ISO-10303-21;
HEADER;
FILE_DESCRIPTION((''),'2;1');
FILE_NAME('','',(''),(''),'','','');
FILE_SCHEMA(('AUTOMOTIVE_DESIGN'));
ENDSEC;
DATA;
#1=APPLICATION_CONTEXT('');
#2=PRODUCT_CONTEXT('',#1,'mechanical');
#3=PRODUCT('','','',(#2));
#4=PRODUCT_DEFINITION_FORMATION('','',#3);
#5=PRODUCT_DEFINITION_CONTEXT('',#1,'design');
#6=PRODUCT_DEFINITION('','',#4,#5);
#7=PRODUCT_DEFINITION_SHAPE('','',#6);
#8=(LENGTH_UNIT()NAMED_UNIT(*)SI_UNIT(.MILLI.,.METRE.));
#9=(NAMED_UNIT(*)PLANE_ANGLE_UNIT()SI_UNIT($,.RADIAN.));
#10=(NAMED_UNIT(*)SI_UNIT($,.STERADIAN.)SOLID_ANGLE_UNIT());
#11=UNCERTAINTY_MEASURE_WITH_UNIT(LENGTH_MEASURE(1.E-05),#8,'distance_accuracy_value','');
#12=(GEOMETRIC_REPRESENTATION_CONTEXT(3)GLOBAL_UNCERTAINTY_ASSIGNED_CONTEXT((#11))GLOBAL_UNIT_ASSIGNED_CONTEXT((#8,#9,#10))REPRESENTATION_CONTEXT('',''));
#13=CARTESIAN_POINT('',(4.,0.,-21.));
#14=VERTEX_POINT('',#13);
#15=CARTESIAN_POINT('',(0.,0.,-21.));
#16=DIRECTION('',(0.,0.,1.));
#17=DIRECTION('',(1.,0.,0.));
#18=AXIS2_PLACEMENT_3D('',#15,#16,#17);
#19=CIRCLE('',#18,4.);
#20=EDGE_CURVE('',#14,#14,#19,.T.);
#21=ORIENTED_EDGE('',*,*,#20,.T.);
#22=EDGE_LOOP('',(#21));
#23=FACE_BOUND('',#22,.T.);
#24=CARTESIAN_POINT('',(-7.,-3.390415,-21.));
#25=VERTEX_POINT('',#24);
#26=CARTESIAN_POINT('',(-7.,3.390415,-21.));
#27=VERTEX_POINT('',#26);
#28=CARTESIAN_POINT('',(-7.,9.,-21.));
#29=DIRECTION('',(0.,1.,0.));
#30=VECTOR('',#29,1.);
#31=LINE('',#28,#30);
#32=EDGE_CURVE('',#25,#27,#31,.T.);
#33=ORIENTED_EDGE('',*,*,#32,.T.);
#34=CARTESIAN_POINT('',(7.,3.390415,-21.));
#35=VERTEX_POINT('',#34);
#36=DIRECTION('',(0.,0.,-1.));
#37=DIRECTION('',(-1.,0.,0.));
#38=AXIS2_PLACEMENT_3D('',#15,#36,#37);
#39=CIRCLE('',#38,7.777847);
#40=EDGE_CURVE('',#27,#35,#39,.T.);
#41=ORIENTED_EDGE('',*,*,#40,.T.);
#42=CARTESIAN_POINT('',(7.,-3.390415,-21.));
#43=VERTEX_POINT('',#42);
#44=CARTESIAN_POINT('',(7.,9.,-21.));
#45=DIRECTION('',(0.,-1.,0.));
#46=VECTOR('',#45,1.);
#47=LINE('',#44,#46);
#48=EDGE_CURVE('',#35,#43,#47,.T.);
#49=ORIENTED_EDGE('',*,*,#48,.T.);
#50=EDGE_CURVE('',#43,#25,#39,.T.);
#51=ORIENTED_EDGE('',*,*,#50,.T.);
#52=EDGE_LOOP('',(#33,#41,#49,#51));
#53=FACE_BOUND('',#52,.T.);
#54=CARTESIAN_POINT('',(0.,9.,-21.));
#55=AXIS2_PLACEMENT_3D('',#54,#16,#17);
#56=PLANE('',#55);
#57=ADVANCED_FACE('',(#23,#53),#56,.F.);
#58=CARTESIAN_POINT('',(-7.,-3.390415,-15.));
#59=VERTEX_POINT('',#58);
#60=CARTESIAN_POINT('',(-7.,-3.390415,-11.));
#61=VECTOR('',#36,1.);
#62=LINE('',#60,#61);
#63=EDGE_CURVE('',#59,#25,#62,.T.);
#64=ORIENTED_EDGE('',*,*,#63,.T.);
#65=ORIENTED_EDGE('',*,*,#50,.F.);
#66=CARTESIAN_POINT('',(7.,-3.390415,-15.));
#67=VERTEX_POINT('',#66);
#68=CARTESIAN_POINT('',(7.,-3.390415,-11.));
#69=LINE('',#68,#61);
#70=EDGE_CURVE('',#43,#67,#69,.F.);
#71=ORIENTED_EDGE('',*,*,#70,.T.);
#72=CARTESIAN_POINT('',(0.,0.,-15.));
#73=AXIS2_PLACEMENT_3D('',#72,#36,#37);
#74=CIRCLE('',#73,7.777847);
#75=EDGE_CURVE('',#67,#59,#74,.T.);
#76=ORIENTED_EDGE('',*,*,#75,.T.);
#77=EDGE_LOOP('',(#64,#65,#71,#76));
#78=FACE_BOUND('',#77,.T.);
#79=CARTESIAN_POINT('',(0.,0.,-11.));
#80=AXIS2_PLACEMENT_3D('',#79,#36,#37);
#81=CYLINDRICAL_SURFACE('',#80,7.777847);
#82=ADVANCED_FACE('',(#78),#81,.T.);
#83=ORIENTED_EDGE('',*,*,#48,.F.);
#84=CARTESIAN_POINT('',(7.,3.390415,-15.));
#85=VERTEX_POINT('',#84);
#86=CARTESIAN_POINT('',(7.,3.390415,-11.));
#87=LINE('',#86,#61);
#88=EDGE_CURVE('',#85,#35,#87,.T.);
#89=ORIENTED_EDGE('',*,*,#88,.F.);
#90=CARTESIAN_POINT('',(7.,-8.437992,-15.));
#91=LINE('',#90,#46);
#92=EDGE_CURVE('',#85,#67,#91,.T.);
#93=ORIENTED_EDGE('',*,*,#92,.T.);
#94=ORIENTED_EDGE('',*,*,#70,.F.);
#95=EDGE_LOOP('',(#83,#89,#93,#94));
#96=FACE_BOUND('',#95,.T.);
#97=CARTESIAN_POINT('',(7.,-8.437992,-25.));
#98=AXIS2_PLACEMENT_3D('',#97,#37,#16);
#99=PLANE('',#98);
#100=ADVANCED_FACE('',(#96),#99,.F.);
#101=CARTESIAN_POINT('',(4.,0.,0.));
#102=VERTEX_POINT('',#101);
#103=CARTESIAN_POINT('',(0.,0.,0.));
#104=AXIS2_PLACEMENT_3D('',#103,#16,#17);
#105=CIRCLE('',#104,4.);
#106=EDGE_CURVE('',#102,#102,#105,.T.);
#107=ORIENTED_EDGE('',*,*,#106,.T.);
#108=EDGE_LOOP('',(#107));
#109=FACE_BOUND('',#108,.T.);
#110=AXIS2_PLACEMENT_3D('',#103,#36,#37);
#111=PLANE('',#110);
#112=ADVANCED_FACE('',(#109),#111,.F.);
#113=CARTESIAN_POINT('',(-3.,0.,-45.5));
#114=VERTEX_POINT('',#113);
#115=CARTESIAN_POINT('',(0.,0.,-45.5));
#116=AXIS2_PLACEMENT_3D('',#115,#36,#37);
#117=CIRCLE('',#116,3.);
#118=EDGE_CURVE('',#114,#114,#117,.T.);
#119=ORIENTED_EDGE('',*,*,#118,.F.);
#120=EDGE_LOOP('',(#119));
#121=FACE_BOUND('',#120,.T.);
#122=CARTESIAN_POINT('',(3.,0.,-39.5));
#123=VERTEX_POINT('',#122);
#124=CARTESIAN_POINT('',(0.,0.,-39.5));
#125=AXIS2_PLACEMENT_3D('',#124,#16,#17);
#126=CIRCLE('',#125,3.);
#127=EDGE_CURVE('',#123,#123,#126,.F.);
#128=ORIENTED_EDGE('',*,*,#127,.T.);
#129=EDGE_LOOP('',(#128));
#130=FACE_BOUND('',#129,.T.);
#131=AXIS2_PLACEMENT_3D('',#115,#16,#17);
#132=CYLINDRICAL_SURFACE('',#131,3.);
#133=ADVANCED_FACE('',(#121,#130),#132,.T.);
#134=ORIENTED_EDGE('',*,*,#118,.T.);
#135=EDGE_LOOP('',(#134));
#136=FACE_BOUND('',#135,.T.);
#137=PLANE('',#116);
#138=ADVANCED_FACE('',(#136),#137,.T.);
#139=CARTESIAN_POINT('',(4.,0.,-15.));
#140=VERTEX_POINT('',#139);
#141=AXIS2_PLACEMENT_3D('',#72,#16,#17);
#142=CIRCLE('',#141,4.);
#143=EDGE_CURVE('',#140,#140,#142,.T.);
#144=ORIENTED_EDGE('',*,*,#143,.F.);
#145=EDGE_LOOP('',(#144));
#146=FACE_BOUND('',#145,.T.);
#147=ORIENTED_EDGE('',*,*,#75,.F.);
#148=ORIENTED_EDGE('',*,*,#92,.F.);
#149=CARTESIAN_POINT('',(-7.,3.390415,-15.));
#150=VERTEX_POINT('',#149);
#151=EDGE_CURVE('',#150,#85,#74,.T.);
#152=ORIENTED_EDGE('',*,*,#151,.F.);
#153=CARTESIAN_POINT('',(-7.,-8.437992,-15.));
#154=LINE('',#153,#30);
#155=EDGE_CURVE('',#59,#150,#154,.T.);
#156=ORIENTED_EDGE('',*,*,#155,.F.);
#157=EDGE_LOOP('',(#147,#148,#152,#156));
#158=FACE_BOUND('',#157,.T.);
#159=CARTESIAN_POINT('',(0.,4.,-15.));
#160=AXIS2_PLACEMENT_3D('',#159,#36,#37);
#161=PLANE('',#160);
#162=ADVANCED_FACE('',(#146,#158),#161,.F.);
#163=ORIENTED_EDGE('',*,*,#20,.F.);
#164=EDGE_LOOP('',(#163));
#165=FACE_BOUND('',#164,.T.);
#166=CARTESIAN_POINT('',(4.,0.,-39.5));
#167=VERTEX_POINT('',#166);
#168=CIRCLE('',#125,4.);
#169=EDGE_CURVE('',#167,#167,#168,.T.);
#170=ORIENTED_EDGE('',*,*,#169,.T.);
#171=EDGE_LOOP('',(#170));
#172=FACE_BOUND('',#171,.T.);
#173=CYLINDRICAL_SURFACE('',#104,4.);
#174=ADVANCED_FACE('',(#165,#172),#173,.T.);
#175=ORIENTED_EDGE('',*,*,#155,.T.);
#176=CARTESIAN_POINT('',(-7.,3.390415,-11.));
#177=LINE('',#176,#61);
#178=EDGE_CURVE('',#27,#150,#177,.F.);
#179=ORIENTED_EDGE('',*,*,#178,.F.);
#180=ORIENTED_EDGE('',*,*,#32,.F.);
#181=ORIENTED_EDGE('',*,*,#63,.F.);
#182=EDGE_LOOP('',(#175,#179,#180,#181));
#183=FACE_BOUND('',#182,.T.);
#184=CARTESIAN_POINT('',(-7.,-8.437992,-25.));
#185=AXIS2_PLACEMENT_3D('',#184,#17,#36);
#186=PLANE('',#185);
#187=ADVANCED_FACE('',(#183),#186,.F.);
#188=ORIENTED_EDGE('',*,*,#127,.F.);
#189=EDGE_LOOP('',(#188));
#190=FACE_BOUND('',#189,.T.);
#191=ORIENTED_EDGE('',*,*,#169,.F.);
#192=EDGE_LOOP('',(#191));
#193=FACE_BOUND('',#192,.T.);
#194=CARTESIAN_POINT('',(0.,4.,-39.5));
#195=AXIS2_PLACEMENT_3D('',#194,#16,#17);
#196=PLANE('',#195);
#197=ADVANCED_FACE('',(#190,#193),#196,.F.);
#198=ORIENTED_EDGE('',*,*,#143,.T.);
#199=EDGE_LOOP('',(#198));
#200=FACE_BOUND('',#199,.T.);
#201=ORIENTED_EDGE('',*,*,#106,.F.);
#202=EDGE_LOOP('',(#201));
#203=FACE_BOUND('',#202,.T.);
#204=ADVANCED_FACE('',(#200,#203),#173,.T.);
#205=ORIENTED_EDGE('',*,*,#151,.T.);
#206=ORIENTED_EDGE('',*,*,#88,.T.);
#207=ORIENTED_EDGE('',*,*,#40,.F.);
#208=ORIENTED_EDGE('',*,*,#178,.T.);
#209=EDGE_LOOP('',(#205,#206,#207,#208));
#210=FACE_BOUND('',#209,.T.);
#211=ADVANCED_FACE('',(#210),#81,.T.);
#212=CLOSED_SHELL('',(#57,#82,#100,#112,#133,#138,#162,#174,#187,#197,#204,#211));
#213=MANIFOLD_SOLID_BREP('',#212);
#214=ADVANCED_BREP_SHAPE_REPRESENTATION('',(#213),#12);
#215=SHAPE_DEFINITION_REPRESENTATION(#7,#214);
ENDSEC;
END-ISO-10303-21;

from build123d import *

# Parameters (mm, degrees)
SKETCH_3_W          = 8
SKETCH_3_H          = 16.823898374
CUT_EXTRUDE_1_DEPTH = 10
SKETCH_5_OUTSIDE_W  = 25.122
SKETCH_5_OUTSIDE_H  = 29.122
SKETCH_5_OUTSIDE_R  = 7.77784742
CUT_EXTRUDE_2_DEPTH = 10
SKETCH_6_R          = 3
EXTRUDE_1_DEPTH     = 6


with BuildPart() as part:
    # 草图2 → 旋转1 (revolve)
    with BuildSketch(Plane(origin=(0, 0, 0), x_dir=(0, 0, -1), z_dir=(1, 0, 0))):
        Polygon((0, 0), (0, 4), (15, 4), (15, 9), (21, 9), (21, 4), (39.5, 4), (39.5, 0), align=None)
    revolve(axis=Axis((0, 0, 0), (0, 0, -1)))

    # 草图3 → 切除-拉伸1 (cut)
    with BuildSketch(Plane.XY.offset(-15)):
        with Locations((-11, -0.026043186)):
            Rectangle(SKETCH_3_W, SKETCH_3_H)
        with Locations((11, -0.026043186)):
            Rectangle(SKETCH_3_W, SKETCH_3_H)
    extrude(amount=-CUT_EXTRUDE_1_DEPTH, mode=Mode.SUBTRACT)

    # 草图5 outside → 切除-拉伸2 (cut)
    with BuildSketch(Plane(origin=(0, 0, -21), x_dir=(-1, 0, 0), z_dir=(0, 0, -1))):
        Rectangle(SKETCH_5_OUTSIDE_W, SKETCH_5_OUTSIDE_H)
        Circle(SKETCH_5_OUTSIDE_R, mode=Mode.SUBTRACT)
    extrude(amount=-CUT_EXTRUDE_2_DEPTH, mode=Mode.SUBTRACT)

    # 草图6 → 凸台-拉伸1 (add)
    with BuildSketch(Plane(origin=(0, 0, -39.5), x_dir=(-1, 0, 0), z_dir=(0, 0, -1))):
        Circle(SKETCH_6_R)
    extrude(amount=EXTRUDE_1_DEPTH)


solid = part.part
